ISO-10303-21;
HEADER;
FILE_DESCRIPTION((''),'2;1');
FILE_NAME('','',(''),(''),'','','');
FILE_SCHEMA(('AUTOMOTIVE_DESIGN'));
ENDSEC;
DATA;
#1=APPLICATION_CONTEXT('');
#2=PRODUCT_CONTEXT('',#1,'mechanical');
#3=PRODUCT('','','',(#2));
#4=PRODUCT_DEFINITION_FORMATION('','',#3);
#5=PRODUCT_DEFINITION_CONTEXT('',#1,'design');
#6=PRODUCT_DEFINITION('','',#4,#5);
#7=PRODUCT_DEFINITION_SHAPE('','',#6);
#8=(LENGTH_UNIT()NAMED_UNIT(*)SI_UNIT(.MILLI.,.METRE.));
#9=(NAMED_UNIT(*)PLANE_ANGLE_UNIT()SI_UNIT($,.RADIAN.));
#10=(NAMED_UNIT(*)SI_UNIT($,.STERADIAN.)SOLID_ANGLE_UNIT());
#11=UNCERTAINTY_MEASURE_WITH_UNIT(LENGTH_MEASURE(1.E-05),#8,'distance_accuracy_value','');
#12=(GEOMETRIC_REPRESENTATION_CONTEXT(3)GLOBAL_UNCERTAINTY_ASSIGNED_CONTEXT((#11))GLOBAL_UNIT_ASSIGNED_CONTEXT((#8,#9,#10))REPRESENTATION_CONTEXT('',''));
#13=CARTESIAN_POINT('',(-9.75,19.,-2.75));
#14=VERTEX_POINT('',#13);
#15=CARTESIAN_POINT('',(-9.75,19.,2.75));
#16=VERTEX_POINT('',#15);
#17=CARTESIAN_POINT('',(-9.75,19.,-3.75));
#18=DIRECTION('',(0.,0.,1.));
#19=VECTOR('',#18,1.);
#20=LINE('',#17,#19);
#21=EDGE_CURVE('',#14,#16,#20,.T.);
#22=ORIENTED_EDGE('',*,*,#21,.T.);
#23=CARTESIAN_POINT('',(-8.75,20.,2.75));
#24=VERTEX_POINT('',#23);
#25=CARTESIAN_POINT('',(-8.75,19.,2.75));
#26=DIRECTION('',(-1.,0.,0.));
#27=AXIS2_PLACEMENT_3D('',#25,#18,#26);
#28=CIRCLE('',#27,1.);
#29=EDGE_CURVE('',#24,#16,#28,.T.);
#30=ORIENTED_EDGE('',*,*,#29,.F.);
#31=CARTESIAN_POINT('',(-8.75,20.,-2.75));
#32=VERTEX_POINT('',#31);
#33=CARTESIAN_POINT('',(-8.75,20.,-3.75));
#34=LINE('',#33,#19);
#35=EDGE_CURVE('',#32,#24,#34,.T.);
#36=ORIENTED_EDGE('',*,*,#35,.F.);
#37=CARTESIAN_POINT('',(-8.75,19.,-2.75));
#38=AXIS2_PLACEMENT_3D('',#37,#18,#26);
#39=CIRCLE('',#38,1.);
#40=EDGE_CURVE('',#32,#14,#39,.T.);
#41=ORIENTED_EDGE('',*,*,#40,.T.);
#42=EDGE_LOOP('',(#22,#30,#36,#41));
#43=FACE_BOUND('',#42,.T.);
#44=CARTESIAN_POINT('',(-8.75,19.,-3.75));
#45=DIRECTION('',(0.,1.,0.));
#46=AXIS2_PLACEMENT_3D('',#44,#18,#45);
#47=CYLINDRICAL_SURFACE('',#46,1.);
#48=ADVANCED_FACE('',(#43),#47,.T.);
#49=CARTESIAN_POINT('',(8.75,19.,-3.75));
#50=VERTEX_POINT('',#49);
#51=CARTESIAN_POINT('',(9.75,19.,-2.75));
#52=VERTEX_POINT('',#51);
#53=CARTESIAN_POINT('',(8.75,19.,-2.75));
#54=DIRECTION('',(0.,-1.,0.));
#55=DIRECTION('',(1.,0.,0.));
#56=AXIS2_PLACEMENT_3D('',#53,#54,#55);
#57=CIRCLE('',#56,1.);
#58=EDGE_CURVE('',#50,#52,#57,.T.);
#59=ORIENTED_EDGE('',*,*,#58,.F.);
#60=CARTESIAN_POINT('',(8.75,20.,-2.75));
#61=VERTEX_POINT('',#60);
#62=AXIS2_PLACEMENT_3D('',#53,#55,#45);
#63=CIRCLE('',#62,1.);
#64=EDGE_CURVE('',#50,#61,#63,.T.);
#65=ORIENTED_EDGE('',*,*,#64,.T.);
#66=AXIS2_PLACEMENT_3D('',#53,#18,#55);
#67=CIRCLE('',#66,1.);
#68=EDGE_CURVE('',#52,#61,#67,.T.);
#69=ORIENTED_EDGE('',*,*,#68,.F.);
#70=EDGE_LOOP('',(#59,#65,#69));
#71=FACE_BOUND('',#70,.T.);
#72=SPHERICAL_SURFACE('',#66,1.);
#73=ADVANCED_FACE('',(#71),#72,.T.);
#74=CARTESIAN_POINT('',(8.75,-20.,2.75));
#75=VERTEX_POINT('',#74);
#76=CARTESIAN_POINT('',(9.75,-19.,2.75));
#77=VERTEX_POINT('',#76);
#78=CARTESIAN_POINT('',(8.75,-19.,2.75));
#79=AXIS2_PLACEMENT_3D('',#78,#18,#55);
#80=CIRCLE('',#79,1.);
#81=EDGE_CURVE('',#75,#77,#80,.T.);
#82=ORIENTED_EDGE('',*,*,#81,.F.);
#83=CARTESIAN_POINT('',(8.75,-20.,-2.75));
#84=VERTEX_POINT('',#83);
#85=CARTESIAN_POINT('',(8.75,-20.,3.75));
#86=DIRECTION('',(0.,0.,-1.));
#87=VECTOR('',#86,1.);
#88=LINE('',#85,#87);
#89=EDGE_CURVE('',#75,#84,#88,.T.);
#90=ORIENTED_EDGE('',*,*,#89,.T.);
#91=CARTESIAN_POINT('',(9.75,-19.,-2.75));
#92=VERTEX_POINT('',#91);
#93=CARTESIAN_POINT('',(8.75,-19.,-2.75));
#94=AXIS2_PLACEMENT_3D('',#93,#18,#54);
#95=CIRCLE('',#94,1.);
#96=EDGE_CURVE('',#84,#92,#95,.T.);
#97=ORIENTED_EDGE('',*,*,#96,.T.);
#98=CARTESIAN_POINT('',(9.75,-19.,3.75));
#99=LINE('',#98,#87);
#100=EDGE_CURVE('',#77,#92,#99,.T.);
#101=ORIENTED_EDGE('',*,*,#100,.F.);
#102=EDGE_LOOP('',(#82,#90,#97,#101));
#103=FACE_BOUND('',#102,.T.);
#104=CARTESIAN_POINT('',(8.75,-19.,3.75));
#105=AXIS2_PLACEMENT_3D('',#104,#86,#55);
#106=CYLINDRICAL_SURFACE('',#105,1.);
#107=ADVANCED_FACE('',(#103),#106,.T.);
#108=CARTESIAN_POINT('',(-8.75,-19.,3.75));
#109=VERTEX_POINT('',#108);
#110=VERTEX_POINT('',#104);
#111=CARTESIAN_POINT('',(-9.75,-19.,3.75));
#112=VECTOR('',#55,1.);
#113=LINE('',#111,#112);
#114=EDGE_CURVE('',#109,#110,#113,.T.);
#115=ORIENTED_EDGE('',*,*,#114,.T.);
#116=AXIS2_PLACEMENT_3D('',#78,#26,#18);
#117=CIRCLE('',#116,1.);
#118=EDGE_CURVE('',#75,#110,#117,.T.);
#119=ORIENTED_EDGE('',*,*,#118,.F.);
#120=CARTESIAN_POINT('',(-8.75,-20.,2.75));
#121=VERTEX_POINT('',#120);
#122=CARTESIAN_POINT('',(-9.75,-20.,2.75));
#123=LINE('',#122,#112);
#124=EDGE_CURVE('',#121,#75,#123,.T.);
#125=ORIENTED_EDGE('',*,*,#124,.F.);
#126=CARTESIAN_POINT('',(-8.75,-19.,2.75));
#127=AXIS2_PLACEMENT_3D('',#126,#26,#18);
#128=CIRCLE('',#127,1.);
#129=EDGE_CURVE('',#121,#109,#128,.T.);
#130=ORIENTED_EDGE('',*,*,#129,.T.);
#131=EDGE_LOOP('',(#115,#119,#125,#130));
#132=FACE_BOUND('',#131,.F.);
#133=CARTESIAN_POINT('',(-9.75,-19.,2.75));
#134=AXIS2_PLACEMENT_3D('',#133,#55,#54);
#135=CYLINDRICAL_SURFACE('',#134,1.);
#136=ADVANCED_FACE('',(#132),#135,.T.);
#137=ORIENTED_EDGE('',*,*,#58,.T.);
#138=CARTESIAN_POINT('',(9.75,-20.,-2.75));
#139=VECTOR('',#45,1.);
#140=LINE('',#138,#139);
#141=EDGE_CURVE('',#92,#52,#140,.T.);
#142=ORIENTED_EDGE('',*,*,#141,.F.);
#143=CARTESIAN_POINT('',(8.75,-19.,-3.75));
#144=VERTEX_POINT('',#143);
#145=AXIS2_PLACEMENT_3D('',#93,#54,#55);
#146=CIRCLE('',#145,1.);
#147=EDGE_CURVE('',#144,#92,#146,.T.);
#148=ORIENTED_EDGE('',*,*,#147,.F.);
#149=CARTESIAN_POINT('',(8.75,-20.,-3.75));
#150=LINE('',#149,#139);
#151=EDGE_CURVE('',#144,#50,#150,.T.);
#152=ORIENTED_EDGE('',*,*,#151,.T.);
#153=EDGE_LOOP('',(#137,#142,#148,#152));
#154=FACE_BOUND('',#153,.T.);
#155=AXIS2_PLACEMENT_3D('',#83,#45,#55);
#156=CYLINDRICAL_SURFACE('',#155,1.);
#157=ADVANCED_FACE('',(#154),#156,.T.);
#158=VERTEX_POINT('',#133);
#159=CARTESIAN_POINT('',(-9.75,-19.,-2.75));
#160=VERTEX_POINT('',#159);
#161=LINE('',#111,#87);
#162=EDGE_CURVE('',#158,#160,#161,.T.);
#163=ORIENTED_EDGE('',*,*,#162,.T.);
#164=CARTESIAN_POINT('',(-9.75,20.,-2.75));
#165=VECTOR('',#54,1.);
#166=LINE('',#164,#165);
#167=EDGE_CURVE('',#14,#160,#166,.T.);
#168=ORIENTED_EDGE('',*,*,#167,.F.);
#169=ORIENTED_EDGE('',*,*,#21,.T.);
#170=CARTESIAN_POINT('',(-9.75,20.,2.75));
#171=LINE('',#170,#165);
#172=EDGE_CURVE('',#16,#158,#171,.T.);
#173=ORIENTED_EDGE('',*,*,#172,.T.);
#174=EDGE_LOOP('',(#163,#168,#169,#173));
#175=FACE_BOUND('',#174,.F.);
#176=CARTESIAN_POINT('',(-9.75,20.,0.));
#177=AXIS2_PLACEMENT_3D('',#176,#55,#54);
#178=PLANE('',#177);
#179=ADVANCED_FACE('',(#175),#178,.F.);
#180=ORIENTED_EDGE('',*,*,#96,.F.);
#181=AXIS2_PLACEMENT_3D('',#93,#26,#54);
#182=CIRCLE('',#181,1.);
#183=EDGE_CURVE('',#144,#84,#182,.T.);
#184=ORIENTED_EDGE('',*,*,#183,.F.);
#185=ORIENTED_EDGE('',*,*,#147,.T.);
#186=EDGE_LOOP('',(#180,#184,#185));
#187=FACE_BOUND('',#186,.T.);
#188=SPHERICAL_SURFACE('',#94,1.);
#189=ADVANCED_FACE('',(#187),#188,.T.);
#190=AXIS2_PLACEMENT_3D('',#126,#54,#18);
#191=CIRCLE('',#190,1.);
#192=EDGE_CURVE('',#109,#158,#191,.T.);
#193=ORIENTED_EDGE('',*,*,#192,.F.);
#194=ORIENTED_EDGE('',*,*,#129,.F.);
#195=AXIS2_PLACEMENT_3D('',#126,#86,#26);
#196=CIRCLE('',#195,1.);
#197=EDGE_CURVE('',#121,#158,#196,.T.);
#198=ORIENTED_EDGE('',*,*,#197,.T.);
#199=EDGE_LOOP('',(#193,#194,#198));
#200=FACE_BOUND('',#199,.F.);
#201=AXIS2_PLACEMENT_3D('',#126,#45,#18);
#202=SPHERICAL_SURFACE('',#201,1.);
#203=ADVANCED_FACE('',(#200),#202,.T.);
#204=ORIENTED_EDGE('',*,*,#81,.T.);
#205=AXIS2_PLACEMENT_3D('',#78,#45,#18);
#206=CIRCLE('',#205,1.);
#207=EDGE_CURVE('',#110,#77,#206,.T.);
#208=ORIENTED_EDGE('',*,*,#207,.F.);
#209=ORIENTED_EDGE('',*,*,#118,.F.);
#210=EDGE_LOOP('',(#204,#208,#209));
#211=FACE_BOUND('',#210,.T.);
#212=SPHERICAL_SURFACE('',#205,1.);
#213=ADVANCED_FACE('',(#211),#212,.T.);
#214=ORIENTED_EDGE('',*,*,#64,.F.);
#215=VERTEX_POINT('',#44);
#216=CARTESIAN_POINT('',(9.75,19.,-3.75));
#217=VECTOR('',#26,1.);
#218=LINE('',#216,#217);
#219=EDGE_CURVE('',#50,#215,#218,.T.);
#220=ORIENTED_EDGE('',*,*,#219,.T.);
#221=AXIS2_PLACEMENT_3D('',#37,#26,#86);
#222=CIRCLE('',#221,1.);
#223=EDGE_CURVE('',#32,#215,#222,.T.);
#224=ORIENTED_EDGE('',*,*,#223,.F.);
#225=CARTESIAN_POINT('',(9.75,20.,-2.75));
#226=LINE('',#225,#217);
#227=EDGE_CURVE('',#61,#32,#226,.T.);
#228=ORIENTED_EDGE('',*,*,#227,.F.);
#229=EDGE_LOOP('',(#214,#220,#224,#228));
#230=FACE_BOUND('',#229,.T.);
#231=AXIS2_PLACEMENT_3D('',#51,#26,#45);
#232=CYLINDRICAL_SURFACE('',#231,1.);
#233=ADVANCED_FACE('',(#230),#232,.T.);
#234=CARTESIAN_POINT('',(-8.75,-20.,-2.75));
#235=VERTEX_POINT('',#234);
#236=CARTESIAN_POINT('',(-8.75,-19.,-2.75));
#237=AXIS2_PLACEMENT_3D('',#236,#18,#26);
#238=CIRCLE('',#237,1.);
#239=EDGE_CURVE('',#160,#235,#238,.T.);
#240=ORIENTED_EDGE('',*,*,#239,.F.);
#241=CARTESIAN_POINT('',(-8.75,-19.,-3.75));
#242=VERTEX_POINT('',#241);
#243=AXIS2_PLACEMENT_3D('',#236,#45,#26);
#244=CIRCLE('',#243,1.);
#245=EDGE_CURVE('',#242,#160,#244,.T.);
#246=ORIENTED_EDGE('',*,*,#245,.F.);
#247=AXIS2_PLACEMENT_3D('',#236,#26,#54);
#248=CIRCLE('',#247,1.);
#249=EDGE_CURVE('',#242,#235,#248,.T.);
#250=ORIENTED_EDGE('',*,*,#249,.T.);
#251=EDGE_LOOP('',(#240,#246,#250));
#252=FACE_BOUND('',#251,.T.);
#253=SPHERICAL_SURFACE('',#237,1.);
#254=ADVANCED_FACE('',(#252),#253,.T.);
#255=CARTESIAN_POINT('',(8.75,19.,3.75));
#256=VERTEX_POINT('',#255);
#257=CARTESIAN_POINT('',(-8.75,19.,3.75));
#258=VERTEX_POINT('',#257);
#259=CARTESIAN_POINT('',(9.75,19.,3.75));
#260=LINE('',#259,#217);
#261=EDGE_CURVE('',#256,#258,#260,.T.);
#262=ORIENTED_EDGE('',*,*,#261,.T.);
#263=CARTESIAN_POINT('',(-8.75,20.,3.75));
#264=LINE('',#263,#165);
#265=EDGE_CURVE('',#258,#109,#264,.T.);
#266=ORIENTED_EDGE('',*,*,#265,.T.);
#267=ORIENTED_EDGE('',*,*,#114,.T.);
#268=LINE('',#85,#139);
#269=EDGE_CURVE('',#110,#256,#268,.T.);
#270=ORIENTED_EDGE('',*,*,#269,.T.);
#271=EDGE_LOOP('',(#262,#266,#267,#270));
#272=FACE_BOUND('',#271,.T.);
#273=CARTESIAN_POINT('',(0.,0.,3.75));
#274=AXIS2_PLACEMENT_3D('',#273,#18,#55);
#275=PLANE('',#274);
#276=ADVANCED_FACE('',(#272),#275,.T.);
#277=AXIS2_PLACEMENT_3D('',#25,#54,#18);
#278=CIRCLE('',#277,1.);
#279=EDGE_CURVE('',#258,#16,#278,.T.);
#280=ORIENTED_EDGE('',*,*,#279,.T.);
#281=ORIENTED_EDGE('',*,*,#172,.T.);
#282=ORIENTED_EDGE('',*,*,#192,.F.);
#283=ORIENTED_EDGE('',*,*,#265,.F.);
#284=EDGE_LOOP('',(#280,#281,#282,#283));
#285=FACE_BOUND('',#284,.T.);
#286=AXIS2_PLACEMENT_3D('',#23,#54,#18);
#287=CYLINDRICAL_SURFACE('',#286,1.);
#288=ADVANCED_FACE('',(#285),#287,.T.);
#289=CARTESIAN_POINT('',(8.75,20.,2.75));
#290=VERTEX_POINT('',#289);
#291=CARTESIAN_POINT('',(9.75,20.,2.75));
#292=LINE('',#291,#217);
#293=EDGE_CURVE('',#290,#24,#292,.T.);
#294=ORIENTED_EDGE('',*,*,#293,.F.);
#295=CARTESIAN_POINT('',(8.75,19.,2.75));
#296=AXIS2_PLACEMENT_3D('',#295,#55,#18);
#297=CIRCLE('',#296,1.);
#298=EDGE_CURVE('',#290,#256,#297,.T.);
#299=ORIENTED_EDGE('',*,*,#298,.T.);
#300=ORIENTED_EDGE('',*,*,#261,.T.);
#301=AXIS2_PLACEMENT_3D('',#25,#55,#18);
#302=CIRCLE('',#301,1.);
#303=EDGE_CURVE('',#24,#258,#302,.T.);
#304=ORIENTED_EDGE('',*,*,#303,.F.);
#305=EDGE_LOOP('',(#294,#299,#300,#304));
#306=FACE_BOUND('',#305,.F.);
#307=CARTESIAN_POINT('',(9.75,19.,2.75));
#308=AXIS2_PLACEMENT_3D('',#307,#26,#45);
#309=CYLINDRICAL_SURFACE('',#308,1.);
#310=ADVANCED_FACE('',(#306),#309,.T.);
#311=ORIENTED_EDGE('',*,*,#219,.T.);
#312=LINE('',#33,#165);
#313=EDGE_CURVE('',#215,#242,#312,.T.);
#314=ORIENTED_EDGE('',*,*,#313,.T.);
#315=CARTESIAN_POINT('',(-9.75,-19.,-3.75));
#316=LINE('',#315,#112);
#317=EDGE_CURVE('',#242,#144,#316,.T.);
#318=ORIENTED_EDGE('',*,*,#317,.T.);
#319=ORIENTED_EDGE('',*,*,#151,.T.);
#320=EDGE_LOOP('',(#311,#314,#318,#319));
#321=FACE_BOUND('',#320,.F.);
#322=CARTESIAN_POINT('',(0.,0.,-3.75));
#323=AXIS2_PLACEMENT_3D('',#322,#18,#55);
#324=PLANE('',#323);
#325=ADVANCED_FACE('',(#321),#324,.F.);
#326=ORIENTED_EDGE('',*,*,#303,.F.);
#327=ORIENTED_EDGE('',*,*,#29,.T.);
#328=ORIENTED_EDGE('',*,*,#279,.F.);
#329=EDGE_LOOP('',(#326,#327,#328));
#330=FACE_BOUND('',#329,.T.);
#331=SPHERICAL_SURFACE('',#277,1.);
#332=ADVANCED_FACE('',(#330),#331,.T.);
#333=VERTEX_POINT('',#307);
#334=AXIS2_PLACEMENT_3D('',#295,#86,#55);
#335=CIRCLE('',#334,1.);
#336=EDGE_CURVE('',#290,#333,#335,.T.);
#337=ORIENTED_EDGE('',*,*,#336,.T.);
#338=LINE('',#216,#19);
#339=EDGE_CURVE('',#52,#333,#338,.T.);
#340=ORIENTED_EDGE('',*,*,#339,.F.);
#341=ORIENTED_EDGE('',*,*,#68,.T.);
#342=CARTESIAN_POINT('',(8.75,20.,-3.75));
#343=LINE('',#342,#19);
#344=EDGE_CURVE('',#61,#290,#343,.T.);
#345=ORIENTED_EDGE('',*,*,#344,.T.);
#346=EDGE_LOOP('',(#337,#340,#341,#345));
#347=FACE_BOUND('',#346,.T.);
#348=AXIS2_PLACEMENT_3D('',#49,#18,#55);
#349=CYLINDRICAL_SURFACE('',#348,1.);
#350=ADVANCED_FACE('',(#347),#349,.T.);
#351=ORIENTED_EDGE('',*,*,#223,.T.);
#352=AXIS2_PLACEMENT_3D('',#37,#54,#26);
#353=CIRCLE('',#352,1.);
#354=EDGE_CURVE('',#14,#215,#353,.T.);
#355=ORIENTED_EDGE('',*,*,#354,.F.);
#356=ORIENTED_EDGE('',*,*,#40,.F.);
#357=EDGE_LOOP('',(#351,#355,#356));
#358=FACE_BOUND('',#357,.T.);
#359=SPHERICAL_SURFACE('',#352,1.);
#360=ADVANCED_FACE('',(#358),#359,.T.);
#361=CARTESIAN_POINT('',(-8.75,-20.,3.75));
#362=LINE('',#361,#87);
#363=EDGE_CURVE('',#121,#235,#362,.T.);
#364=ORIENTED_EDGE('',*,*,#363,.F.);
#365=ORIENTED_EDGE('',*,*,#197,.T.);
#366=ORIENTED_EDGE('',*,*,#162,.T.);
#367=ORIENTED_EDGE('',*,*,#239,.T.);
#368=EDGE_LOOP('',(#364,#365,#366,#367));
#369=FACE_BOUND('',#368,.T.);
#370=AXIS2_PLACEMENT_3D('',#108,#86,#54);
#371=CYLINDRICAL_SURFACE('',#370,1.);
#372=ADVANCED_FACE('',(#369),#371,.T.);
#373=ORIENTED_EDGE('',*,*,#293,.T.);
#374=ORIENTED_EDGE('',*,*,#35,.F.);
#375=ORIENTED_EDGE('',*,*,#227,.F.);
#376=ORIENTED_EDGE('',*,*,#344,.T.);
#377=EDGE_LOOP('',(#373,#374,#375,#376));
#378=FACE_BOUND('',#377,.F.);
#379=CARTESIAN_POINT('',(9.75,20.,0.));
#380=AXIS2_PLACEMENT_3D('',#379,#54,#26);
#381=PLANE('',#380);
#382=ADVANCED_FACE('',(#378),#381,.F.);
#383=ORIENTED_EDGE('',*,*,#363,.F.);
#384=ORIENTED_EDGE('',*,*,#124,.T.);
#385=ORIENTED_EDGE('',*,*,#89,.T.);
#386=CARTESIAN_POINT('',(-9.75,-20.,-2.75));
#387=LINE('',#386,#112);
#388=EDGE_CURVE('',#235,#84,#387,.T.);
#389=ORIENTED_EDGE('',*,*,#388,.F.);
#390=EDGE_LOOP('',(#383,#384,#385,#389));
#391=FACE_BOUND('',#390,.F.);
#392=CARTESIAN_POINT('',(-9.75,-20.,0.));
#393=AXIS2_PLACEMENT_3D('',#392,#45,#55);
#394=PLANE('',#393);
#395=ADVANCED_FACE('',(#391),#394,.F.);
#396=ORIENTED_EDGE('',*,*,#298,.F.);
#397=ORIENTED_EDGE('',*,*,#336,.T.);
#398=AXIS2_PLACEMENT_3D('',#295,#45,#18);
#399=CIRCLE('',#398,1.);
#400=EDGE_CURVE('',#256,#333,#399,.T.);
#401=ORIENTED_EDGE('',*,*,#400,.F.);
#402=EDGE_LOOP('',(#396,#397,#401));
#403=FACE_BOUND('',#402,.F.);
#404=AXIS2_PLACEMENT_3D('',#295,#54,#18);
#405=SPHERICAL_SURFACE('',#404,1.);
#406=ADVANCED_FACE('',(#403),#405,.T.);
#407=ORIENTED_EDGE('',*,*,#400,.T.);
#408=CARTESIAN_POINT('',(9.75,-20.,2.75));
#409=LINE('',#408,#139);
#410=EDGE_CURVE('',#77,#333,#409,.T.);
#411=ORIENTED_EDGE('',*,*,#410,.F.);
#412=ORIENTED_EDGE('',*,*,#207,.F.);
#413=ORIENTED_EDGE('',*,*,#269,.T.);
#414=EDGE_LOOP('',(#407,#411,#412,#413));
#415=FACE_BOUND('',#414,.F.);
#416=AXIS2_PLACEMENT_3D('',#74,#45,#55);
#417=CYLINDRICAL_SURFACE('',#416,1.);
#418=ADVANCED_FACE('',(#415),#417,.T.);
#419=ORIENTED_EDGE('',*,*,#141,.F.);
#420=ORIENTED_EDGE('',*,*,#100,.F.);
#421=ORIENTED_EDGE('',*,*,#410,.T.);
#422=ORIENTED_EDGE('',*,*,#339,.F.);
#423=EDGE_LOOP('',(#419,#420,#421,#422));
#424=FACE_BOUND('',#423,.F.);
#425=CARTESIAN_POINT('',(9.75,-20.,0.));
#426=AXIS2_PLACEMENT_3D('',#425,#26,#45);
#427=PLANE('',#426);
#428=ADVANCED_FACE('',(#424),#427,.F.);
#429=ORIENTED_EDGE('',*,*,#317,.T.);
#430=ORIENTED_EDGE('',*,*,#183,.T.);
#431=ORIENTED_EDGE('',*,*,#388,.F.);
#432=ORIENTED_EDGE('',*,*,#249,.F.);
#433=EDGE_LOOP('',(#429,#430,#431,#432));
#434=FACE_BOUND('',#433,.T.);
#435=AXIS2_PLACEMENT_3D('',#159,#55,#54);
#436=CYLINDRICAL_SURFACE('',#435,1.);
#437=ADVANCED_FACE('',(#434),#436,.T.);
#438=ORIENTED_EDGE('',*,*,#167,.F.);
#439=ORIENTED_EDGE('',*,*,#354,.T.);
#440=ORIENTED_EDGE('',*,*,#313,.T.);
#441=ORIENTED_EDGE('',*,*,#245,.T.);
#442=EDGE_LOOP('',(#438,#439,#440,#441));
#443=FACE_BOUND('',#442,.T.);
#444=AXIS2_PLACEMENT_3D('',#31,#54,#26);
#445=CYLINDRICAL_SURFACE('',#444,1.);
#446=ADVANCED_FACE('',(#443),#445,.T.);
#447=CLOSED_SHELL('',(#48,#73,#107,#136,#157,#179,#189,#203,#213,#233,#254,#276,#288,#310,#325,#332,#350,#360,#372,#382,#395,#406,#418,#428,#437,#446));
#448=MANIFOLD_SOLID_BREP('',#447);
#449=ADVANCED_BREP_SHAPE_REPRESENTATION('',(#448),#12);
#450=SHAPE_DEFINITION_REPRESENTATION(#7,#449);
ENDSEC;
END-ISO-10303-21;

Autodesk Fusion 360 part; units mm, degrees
sketch "草图1" plane through (0, 0, 0) normal (0, 0, 1) x (1, 0, 0)
  line L0 (9.75, 20) -> (-9.75, 20)
  line L1 (-9.75, 20) -> (-9.75, -20)
  line L2 (-9.75, -20) -> (9.75, -20)
  line L3 (9.75, -20) -> (9.75, 20)
  line L4 (9.75, 20) -> (-9.75, -20) construction
  line L5 (-9.75, 20) -> (9.75, -20) construction
  dimension "d1" = 19.5
  dimension "d2" = 40
extrude "拉伸1" add sketch "草图1" along normal mid plane 7.5
fillet "圆角1" radius 1 1 edges at (-9.75, 0, 3.75) 5 faces at (3.25, -6.6667, 3.75) (-9.75, -6.6667, 1.25) (-3.25, -20, -1.25) (9.75, -6.6667, -1.25) (-3.25, 20, 1.25)
